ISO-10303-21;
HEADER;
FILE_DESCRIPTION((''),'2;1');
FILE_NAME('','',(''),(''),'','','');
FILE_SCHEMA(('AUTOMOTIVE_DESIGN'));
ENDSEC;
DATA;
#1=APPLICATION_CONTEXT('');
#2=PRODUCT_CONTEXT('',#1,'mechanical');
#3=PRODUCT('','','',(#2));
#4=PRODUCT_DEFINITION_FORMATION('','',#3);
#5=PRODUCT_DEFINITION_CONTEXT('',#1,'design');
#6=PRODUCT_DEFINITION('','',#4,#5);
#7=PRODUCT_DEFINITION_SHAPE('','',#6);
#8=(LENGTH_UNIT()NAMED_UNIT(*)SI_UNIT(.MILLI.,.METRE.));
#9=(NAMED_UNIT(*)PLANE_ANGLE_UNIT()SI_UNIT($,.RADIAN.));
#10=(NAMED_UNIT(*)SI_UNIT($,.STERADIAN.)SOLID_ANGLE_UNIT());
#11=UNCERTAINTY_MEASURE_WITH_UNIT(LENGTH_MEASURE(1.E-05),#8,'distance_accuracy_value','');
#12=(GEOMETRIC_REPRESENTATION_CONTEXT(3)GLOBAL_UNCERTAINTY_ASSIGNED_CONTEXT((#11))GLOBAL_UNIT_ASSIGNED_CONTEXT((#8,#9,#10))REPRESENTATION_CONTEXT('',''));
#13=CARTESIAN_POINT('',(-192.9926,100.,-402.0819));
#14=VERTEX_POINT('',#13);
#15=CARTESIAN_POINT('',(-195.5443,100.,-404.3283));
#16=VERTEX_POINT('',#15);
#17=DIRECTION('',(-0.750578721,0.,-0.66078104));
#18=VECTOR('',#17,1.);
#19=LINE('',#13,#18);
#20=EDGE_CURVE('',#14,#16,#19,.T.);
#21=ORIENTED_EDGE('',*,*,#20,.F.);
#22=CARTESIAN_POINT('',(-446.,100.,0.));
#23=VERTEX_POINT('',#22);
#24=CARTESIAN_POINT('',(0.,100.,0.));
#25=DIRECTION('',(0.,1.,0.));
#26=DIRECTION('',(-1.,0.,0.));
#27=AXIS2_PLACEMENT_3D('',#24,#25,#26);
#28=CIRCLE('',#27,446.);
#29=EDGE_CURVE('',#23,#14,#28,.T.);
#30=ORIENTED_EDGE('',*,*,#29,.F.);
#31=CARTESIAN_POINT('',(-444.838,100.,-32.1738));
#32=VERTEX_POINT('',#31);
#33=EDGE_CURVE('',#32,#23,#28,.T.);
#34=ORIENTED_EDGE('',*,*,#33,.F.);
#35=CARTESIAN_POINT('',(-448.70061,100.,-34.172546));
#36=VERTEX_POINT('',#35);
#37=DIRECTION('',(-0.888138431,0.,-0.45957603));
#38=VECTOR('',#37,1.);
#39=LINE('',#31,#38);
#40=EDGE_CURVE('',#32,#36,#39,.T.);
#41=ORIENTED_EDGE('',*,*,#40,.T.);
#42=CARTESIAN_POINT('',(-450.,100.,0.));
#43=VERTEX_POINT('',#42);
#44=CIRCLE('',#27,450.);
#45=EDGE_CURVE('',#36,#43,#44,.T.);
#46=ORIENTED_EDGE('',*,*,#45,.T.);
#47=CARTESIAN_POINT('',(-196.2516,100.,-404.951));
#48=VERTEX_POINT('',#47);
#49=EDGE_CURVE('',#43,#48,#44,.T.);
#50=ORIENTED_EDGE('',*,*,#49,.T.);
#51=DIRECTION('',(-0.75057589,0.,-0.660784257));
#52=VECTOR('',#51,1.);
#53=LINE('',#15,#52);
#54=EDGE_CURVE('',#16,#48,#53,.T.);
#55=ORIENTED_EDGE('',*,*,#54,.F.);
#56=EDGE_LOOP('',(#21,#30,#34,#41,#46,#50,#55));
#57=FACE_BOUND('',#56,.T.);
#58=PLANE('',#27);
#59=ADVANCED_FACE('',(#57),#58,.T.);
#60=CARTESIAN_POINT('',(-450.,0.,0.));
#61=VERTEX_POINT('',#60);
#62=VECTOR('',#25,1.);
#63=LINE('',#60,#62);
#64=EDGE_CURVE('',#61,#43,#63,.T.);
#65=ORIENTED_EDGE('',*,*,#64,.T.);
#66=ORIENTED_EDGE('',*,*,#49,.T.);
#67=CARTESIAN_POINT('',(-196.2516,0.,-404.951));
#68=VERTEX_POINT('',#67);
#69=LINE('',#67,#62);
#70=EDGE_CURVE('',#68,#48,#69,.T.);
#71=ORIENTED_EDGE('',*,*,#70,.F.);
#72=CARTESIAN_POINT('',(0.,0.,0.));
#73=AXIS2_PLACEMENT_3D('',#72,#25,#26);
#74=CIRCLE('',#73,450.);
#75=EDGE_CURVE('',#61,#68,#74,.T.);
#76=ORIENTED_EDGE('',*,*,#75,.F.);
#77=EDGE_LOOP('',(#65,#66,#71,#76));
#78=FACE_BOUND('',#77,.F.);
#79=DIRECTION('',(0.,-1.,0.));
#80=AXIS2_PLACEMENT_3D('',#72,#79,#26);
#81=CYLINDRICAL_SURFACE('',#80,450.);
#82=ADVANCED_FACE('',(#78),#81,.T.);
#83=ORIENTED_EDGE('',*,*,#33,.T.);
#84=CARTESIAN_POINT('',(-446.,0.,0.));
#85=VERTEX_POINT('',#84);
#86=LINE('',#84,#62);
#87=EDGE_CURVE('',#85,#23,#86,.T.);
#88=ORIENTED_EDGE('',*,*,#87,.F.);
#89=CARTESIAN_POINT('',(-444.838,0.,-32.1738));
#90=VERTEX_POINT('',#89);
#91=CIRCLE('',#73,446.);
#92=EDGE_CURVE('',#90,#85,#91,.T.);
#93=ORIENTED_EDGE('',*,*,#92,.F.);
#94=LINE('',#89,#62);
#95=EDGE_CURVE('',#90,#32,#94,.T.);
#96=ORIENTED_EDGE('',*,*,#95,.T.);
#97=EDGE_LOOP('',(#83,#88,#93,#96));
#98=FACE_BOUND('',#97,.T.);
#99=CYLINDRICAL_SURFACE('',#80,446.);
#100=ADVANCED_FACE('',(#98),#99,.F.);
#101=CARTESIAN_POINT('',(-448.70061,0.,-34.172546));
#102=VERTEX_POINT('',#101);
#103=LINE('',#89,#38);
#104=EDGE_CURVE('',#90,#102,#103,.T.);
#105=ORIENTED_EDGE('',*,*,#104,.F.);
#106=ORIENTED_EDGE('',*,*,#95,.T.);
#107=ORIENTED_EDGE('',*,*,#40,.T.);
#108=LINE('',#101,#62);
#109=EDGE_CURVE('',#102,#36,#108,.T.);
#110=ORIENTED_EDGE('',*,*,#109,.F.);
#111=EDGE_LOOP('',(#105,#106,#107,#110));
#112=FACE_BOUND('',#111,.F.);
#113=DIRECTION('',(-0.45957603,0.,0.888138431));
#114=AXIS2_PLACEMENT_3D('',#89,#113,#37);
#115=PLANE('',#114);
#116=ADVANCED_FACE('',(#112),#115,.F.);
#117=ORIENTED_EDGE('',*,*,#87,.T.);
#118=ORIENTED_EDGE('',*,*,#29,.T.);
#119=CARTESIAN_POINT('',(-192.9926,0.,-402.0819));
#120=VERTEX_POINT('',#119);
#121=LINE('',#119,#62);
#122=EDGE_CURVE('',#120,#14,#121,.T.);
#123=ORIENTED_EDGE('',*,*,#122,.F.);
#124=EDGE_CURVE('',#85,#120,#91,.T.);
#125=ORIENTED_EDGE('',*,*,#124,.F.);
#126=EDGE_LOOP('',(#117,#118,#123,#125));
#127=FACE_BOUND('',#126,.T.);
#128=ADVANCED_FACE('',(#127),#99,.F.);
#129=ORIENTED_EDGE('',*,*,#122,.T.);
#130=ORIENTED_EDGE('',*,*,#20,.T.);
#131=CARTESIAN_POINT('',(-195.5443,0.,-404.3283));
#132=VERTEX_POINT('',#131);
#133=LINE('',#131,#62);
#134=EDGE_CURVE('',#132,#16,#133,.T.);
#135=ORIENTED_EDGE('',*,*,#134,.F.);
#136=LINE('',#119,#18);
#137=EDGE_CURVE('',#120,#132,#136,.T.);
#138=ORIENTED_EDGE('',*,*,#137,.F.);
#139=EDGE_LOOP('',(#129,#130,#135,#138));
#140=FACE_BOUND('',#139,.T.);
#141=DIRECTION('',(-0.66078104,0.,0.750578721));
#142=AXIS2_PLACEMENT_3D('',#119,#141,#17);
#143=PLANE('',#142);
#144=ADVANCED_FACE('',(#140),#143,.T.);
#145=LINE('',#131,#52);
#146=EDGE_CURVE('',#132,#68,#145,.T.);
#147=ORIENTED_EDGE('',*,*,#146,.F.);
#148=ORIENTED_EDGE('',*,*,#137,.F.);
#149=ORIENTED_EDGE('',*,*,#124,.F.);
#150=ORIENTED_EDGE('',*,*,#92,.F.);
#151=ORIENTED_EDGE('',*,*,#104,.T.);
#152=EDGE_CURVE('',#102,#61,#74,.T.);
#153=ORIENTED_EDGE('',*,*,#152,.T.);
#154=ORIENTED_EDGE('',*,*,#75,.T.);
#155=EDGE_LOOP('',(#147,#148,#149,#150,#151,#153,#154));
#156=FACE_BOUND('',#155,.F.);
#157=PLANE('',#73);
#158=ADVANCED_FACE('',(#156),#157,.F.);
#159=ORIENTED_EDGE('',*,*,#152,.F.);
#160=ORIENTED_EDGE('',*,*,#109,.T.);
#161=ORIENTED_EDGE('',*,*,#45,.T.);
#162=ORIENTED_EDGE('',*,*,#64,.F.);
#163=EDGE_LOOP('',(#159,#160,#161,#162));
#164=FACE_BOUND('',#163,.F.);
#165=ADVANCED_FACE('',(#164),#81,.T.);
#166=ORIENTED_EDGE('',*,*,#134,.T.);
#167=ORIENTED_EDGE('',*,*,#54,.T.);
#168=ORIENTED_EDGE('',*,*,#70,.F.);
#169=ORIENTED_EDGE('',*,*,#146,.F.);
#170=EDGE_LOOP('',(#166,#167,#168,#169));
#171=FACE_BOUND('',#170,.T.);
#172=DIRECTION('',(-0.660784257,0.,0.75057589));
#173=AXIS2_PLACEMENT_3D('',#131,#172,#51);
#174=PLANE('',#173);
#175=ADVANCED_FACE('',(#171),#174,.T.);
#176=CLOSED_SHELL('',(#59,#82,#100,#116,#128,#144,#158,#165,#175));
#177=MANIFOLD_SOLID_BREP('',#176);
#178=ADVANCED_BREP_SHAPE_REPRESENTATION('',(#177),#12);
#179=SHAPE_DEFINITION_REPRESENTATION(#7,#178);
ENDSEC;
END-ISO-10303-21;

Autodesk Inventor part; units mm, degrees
ref_plane "YZ Plane" through (0, 0, 0) normal (1, 0, 0) x (0, 1, 0)
ref_plane "XZ Plane" through (0, 0, 0) normal (0, 1, 0) x (-1, 0, 0)
ref_plane "XY Plane" through (0, 0, 0) normal (0, 0, 1) x (1, 0, 0)
sketch "Sketch1" plane through (0, 0, 0) normal (0, 1, 0) x (-1, 0, 0)
  circle A0 centre (0, 0) radius 450
  circle A1 centre (0, 0) radius 446
  dimension "d0" = 900
  dimension "d1" = 892
extrude "Extrusion1" add sketch "Sketch1" along normal blind 100
sketch "Sketch2" plane through (0, 0, 0) normal (0, -1, 0) x (1, 0, 0)
  line L0 (-195.5443, -404.3283) -> (-647.1656, -801.922) projected
  line L1 (-983.2067, -310.7574) -> (-448.704, -34.1743) projected
  circle A0 centre (0, 0) radius 450 projected
  circle A1 centre (0, 0) radius 446 projected
  line L2 (-192.9926, -402.0819) -> (-196.2516, -404.951)
  line L3 (-444.838, -32.1738) -> (-448.704, -34.1743)
  point P0 (-448.7006, -34.1726)
extrude "Extrusion2" cut sketch "Sketch2" against normal blind 100 contours L0 A0 L3 A1 L2 picked at (-445.1017, -42.5508)
properties part number "Edge Band - Disk A Inner" material "Wood (Birch)"
